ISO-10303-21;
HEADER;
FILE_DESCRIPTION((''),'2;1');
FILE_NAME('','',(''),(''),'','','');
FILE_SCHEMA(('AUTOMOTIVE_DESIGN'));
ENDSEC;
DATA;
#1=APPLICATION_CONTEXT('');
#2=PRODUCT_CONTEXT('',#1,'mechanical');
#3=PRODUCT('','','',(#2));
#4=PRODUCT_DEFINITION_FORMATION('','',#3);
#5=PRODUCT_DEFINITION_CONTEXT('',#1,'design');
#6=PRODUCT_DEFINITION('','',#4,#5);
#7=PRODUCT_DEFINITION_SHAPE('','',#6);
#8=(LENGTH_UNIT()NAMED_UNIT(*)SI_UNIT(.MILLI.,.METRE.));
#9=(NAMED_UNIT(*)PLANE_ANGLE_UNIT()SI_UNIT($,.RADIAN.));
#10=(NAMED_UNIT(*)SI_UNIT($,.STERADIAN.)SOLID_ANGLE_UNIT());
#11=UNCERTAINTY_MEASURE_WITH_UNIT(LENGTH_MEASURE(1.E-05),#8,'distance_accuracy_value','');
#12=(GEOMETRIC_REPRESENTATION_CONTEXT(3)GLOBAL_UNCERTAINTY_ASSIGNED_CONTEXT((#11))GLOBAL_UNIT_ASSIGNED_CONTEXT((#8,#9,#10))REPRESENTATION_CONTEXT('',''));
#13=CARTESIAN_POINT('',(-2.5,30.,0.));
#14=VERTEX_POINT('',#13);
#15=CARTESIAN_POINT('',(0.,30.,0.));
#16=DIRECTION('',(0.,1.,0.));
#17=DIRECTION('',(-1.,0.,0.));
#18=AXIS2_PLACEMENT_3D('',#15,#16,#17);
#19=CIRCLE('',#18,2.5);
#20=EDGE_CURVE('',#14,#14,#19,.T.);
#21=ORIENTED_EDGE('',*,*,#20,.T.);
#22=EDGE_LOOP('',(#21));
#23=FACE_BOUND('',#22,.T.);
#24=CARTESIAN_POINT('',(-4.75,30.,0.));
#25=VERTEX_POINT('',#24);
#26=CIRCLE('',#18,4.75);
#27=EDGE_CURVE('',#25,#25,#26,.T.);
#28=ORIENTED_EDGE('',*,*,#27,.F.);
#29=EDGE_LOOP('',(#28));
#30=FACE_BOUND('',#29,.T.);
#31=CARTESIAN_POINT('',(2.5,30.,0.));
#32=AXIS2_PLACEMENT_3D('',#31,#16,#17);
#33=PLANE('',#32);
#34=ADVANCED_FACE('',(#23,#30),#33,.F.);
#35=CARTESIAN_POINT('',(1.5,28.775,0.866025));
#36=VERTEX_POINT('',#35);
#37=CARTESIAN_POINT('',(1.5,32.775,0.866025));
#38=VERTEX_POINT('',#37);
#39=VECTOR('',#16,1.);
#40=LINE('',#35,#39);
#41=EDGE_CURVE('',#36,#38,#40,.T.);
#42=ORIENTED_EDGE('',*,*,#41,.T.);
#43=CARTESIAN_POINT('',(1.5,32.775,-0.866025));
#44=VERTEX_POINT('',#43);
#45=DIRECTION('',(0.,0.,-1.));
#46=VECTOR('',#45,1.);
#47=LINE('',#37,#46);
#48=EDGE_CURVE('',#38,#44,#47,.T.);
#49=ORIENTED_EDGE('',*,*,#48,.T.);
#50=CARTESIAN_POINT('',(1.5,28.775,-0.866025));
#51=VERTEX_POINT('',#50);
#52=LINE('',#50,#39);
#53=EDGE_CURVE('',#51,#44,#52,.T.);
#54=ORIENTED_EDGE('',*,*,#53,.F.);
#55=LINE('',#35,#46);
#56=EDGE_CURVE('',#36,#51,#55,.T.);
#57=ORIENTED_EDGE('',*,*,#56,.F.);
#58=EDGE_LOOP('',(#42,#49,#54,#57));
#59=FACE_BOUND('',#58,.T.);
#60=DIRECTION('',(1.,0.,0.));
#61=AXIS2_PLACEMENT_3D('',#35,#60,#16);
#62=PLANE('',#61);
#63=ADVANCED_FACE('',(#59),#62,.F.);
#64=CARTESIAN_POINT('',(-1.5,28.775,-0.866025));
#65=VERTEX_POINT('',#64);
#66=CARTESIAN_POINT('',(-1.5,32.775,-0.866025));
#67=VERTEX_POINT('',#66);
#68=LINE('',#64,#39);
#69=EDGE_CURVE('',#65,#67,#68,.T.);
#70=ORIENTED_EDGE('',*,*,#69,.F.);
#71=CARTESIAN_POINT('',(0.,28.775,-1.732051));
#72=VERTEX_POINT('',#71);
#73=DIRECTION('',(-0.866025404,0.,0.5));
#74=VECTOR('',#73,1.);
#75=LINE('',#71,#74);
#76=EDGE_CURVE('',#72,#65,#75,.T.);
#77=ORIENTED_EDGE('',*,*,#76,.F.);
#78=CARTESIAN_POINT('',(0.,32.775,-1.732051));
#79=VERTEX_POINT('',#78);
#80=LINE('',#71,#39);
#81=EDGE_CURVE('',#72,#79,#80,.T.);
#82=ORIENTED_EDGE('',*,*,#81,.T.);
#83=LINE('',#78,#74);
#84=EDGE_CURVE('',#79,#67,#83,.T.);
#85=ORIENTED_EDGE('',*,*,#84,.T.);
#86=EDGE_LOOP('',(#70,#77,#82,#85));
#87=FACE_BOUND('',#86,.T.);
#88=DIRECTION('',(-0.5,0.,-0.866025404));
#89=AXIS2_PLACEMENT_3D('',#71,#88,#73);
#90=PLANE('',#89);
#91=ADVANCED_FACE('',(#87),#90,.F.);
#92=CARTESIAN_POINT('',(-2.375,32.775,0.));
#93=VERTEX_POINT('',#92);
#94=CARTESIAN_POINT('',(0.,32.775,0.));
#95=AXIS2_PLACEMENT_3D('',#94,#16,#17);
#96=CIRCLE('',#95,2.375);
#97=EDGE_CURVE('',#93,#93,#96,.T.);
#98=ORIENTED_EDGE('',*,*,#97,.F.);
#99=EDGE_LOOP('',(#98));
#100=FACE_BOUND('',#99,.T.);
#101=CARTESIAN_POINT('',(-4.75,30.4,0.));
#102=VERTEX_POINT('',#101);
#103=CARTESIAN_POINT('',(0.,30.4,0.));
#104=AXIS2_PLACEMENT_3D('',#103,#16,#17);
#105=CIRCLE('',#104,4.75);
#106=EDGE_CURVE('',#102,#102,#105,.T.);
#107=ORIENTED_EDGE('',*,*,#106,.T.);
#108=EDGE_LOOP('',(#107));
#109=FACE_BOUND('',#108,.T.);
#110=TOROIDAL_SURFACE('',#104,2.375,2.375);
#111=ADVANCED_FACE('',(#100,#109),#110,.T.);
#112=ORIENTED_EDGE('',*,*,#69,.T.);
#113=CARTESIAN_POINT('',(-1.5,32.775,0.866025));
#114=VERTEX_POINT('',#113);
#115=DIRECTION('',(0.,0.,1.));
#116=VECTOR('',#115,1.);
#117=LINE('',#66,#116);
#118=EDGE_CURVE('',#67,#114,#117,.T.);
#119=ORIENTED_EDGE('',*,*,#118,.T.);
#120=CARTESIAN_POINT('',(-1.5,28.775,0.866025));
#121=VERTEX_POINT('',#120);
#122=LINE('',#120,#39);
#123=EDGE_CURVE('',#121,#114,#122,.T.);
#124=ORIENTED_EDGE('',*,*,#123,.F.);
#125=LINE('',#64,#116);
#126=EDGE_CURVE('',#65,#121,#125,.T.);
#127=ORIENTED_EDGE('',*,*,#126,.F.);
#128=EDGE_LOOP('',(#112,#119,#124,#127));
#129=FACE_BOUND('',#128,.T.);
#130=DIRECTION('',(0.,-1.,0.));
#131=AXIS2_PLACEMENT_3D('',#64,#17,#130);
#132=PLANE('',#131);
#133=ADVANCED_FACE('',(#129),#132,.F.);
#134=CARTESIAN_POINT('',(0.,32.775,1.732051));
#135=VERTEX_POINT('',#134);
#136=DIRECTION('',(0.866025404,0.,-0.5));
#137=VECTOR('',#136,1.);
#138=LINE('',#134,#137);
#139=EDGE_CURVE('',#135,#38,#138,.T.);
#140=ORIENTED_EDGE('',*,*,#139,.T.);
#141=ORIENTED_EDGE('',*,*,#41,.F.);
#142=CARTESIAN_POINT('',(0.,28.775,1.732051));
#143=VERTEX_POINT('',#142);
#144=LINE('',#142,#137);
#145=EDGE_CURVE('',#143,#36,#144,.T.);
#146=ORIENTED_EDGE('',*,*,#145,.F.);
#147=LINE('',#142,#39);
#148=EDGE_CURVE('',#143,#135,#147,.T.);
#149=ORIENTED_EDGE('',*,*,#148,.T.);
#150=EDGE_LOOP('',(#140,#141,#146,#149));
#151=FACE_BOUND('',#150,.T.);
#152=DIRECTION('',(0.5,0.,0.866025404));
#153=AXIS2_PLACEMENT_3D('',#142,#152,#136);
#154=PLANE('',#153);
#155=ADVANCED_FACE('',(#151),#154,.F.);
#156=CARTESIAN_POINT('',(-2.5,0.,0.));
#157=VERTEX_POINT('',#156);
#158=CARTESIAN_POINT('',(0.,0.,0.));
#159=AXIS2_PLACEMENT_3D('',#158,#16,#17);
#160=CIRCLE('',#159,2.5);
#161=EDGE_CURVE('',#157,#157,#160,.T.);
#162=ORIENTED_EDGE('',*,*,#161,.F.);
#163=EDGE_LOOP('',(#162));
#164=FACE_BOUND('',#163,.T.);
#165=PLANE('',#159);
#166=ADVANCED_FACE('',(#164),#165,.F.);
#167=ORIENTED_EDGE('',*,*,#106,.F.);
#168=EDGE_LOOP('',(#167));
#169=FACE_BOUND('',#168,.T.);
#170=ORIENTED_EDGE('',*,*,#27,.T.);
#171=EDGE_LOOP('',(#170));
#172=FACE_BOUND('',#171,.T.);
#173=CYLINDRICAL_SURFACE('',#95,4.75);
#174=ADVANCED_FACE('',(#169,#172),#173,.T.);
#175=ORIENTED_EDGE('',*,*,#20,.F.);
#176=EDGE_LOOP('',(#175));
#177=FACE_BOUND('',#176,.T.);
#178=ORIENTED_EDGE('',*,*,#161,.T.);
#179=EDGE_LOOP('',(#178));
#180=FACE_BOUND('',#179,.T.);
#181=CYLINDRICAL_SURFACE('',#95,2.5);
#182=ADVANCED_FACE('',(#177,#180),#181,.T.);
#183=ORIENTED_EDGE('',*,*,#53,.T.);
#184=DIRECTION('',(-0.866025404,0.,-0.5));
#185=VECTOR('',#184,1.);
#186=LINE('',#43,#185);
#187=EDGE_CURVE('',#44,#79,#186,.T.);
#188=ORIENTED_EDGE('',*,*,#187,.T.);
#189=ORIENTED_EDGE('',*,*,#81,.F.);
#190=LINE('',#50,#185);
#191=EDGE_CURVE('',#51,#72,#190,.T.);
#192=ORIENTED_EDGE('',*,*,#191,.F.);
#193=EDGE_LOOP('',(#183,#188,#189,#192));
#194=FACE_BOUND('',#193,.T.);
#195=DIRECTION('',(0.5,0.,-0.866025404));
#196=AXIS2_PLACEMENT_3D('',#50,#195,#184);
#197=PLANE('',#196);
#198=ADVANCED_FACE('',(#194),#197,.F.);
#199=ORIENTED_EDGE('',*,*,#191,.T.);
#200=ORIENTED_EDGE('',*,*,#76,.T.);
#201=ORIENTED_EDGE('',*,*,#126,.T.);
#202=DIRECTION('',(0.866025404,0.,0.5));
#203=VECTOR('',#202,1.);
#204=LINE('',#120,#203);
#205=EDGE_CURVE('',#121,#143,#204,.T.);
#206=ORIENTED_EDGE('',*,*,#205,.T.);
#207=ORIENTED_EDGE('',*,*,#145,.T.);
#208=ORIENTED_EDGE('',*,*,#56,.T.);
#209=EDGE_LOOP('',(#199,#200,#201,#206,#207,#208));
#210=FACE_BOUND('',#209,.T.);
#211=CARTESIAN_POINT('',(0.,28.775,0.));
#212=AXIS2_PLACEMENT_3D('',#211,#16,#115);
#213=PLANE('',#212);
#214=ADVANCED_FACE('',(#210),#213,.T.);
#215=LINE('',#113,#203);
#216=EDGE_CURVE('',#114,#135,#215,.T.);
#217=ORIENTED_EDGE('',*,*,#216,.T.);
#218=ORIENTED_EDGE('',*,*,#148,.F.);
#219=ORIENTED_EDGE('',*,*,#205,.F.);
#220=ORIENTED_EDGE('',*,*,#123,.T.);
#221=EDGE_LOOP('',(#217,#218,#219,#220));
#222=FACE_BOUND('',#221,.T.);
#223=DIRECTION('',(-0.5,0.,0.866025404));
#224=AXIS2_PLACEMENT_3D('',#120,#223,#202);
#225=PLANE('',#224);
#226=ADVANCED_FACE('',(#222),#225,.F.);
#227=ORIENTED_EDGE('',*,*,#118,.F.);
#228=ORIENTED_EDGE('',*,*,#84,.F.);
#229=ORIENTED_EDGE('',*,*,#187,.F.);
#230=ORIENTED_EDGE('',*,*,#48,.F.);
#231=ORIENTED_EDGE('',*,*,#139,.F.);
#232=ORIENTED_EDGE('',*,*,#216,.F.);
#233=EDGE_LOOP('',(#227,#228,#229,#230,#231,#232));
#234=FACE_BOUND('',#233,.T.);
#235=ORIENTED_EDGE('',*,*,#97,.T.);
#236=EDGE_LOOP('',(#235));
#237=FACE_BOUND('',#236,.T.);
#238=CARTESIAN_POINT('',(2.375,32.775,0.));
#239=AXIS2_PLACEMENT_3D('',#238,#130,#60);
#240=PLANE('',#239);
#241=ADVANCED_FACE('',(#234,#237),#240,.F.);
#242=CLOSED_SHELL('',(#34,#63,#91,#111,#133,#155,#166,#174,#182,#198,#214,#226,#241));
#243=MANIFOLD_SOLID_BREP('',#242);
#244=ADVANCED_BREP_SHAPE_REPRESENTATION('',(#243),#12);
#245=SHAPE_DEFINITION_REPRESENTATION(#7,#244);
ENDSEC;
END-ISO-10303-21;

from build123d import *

# Parameters (mm, degrees)
CORTE_EXTRUS_O1_DEPTH = 4


with BuildPart() as part:
    # Esboço1 → Revolução1 (revolve)
    with BuildSketch(Plane.XY):
        with BuildLine():
            Line((0, 0), (2.5, 0))
            Line((2.5, 0), (2.5, 30))
            Line((2.5, 30), (4.75, 30))
            Line((4.75, 30), (4.75, 30.4))
            ThreePointArc((4.75, 30.4), (4.054378605, 32.079378605), (2.375, 32.775))
            Line((2.375, 32.775), (0, 32.775))
            Line((0, 32.775), (0, 0))
        make_face()
    revolve(axis=Axis((0, 32.775, 0), (0, -1, 0)))

    # Esboço2 → Corte-extrusão1 (cut)
    with BuildSketch(Plane(origin=(0, 32.775, 0), x_dir=(1, 0, 0), z_dir=(0, 1, 0))):
        Polygon((-1.5, 0.866025404), (-1.5, -0.866025404), (0, -1.732050808), (1.5, -0.866025404), (1.5, 0.866025404), (0, 1.732050808), align=None)
    extrude(amount=-CORTE_EXTRUS_O1_DEPTH, mode=Mode.SUBTRACT)


solid = part.part
